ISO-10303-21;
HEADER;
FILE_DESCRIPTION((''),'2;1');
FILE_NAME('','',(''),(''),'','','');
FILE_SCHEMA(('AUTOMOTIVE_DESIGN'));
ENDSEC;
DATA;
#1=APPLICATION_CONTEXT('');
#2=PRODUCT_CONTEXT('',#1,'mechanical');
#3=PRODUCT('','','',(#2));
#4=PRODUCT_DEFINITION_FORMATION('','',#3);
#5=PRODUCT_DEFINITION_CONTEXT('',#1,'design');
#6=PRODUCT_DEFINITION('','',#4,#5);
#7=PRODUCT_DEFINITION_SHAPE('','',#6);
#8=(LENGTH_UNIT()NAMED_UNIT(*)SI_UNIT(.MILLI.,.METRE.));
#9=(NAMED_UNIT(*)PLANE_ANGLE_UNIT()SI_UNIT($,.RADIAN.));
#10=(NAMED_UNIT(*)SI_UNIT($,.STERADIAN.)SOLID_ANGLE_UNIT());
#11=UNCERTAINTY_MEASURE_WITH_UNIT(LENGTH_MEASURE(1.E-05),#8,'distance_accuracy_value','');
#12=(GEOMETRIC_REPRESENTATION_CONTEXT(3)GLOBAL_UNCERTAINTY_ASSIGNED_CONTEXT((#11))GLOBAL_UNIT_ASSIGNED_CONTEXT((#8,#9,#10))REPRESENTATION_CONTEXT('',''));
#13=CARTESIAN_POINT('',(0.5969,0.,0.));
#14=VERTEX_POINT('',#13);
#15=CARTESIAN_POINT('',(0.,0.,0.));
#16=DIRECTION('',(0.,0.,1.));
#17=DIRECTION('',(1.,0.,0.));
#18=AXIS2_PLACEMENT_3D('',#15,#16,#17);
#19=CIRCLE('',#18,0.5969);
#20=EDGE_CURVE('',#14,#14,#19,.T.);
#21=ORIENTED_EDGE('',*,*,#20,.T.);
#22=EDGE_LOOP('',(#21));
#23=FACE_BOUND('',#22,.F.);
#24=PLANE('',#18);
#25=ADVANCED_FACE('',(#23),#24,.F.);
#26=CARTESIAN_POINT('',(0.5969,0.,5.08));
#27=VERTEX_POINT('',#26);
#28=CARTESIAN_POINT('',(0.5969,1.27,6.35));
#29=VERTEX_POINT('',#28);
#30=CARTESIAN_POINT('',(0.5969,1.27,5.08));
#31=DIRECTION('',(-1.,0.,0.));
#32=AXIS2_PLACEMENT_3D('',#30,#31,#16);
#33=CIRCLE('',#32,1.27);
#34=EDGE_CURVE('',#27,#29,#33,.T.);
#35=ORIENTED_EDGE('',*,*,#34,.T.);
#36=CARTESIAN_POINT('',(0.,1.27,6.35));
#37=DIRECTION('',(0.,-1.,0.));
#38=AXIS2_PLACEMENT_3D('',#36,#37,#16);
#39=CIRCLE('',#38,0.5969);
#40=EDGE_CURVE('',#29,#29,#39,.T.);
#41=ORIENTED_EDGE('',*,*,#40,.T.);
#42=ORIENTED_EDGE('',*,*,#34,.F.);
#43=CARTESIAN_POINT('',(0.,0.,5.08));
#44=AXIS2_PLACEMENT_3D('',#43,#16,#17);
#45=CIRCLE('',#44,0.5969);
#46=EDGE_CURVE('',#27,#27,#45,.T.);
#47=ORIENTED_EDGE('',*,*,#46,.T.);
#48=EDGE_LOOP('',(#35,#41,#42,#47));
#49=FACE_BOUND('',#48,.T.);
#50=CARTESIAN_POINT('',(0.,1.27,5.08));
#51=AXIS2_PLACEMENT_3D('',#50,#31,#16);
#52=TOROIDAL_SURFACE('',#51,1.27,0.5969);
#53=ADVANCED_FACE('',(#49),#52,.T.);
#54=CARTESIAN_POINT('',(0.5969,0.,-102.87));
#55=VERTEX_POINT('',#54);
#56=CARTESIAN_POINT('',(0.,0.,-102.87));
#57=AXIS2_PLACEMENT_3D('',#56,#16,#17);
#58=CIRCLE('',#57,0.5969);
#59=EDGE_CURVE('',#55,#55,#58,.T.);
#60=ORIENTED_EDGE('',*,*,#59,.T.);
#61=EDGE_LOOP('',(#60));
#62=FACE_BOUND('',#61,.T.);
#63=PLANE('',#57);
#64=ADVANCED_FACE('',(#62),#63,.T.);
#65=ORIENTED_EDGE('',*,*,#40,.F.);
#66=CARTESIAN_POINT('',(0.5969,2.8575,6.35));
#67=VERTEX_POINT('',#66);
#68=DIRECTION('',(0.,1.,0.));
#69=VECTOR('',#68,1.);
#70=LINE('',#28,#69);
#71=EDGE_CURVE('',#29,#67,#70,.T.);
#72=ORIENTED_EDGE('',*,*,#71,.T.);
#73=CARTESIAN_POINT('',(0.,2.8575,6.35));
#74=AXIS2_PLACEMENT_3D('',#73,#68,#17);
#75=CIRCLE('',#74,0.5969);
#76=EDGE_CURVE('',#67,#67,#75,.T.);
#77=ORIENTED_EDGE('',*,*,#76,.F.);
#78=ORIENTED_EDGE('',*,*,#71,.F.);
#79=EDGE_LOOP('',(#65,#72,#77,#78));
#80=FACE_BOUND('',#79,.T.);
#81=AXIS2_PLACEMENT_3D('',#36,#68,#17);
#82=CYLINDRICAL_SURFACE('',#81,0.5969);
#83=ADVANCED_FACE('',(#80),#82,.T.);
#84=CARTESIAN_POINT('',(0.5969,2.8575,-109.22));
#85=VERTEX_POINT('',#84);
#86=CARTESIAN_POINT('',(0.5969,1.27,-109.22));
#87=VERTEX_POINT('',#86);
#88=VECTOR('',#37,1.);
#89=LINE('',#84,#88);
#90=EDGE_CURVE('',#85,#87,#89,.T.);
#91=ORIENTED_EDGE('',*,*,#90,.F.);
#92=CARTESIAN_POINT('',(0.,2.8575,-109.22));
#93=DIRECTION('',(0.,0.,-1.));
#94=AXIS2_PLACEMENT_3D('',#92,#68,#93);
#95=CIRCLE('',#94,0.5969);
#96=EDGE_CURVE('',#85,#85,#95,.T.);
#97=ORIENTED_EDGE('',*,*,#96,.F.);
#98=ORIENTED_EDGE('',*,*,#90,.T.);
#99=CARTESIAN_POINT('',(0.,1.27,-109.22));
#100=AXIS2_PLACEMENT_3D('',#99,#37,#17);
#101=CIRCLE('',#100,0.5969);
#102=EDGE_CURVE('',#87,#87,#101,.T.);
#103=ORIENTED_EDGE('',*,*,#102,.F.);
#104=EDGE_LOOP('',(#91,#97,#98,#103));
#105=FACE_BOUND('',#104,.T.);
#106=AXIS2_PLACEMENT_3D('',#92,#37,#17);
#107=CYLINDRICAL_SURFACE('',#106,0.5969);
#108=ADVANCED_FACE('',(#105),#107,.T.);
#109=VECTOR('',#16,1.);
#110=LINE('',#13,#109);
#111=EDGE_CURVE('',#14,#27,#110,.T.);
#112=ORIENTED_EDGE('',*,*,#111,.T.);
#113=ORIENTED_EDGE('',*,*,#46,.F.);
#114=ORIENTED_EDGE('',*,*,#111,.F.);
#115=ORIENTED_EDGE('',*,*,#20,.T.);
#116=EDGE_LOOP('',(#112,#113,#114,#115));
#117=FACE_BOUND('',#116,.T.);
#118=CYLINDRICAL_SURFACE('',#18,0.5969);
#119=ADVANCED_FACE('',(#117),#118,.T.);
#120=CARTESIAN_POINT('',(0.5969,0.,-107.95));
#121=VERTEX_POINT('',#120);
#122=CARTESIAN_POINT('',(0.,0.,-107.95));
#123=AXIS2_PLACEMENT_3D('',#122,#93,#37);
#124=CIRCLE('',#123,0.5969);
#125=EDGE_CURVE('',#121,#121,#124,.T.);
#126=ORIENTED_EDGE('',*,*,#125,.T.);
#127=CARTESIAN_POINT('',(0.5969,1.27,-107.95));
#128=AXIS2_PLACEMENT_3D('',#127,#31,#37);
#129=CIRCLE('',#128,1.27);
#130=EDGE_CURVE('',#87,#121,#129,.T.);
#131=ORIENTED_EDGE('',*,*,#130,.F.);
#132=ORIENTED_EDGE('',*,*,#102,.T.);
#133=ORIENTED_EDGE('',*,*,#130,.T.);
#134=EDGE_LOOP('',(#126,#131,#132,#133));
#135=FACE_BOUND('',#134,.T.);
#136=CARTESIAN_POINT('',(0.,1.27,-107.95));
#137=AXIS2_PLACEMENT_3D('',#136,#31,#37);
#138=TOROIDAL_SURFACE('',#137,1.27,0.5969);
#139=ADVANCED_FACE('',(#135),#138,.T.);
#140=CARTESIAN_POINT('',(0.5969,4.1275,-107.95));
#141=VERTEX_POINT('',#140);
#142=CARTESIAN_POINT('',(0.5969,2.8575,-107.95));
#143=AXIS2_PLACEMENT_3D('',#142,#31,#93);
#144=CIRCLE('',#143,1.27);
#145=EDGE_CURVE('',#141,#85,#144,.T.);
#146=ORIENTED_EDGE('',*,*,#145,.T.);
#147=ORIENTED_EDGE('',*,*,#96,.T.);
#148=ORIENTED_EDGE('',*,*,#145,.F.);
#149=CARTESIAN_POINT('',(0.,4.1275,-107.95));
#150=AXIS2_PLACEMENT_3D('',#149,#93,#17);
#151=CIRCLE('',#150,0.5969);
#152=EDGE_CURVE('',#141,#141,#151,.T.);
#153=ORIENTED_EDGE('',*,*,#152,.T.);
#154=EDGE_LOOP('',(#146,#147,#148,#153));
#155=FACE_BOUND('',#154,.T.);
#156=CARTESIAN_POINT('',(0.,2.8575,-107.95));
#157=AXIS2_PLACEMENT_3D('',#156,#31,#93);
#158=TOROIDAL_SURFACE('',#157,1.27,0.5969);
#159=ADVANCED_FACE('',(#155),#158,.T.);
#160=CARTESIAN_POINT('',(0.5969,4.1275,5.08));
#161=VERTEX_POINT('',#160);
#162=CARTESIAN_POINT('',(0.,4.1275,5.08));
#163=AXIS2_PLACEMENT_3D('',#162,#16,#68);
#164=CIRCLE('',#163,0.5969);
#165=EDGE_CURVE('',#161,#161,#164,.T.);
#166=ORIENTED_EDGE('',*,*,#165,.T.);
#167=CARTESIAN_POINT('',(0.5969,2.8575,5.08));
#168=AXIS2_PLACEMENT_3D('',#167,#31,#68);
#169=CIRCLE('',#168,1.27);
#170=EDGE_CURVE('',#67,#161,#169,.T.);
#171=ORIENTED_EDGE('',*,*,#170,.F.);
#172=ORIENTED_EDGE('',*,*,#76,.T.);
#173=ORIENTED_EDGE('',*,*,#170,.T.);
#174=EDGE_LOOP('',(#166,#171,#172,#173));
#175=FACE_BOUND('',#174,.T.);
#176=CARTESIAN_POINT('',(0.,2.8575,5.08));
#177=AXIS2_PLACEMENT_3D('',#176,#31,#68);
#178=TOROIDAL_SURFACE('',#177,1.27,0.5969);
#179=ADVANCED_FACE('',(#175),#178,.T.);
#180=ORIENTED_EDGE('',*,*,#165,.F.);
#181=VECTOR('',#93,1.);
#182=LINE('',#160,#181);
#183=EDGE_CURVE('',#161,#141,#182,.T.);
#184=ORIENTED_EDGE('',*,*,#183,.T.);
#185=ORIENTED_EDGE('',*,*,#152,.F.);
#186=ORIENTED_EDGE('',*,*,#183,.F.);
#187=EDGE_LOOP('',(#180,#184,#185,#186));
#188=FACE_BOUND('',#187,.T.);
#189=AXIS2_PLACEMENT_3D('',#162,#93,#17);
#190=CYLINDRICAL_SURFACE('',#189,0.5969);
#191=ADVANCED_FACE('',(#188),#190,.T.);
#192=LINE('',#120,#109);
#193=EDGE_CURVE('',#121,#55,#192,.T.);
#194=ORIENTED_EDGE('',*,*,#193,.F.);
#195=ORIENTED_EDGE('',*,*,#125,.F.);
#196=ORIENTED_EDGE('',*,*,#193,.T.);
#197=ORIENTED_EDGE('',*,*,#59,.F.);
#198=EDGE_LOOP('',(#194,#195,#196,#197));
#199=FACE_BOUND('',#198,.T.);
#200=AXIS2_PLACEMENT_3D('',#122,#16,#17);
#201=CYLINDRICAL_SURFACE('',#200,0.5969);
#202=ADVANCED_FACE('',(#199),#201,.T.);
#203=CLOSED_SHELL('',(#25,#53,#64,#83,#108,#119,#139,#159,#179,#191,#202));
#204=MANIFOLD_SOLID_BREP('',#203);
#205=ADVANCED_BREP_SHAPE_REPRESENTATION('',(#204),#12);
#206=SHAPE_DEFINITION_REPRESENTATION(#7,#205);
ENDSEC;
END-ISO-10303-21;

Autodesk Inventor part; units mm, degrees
ref_plane "YZ Plane" through (0, 0, 0) normal (1, 0, 0) x (0, 1, 0)
ref_plane "XZ Plane" through (0, 0, 0) normal (0, 1, 0) x (-1, 0, 0)
ref_plane "XY Plane" through (0, 0, 0) normal (0, 0, 1) x (1, 0, 0)
sketch "Sketch1" plane through (0, 0, 0) normal (0, 0, 1) x (1, 0, 0)
  circle A0 centre (0, 0) radius 0.5969
  dimension "d0" = 1.1938
sketch "Sketch2" plane through (0, 0, 0) normal (1, 0, 0) x (0, 1, 0)
  line L0 (0, 0) -> (0, 5.08)
  line L1 (1.27, 6.35) -> (2.8575, 6.35)
  line L2 (4.1275, 5.08) -> (4.1275, -107.95)
  line L3 (0, -107.95) -> (0, -102.87)
  line L4 (2.8575, -109.22) -> (1.27, -109.22)
  arc A0 (4.1275, 5.08) -> (2.8575, 6.35) centre (2.8575, 5.08) ccw
  arc A1 (2.8575, -109.22) -> (4.1275, -107.95) centre (2.8575, -107.95) ccw
  arc A2 (0, -107.95) -> (1.27, -109.22) centre (1.27, -107.95) ccw
  arc A3 (1.27, 6.35) -> (0, 5.08) centre (1.27, 5.08) ccw
  dimension "d1" = 1.27
  dimension "d5" = 1.5875
  dimension "d7" = 115.57
  dimension "d8" = 6.35
sweep "Sweep1" add profiles "Sketch1" path "Sketch2"
properties part number "Rudder_Link"
